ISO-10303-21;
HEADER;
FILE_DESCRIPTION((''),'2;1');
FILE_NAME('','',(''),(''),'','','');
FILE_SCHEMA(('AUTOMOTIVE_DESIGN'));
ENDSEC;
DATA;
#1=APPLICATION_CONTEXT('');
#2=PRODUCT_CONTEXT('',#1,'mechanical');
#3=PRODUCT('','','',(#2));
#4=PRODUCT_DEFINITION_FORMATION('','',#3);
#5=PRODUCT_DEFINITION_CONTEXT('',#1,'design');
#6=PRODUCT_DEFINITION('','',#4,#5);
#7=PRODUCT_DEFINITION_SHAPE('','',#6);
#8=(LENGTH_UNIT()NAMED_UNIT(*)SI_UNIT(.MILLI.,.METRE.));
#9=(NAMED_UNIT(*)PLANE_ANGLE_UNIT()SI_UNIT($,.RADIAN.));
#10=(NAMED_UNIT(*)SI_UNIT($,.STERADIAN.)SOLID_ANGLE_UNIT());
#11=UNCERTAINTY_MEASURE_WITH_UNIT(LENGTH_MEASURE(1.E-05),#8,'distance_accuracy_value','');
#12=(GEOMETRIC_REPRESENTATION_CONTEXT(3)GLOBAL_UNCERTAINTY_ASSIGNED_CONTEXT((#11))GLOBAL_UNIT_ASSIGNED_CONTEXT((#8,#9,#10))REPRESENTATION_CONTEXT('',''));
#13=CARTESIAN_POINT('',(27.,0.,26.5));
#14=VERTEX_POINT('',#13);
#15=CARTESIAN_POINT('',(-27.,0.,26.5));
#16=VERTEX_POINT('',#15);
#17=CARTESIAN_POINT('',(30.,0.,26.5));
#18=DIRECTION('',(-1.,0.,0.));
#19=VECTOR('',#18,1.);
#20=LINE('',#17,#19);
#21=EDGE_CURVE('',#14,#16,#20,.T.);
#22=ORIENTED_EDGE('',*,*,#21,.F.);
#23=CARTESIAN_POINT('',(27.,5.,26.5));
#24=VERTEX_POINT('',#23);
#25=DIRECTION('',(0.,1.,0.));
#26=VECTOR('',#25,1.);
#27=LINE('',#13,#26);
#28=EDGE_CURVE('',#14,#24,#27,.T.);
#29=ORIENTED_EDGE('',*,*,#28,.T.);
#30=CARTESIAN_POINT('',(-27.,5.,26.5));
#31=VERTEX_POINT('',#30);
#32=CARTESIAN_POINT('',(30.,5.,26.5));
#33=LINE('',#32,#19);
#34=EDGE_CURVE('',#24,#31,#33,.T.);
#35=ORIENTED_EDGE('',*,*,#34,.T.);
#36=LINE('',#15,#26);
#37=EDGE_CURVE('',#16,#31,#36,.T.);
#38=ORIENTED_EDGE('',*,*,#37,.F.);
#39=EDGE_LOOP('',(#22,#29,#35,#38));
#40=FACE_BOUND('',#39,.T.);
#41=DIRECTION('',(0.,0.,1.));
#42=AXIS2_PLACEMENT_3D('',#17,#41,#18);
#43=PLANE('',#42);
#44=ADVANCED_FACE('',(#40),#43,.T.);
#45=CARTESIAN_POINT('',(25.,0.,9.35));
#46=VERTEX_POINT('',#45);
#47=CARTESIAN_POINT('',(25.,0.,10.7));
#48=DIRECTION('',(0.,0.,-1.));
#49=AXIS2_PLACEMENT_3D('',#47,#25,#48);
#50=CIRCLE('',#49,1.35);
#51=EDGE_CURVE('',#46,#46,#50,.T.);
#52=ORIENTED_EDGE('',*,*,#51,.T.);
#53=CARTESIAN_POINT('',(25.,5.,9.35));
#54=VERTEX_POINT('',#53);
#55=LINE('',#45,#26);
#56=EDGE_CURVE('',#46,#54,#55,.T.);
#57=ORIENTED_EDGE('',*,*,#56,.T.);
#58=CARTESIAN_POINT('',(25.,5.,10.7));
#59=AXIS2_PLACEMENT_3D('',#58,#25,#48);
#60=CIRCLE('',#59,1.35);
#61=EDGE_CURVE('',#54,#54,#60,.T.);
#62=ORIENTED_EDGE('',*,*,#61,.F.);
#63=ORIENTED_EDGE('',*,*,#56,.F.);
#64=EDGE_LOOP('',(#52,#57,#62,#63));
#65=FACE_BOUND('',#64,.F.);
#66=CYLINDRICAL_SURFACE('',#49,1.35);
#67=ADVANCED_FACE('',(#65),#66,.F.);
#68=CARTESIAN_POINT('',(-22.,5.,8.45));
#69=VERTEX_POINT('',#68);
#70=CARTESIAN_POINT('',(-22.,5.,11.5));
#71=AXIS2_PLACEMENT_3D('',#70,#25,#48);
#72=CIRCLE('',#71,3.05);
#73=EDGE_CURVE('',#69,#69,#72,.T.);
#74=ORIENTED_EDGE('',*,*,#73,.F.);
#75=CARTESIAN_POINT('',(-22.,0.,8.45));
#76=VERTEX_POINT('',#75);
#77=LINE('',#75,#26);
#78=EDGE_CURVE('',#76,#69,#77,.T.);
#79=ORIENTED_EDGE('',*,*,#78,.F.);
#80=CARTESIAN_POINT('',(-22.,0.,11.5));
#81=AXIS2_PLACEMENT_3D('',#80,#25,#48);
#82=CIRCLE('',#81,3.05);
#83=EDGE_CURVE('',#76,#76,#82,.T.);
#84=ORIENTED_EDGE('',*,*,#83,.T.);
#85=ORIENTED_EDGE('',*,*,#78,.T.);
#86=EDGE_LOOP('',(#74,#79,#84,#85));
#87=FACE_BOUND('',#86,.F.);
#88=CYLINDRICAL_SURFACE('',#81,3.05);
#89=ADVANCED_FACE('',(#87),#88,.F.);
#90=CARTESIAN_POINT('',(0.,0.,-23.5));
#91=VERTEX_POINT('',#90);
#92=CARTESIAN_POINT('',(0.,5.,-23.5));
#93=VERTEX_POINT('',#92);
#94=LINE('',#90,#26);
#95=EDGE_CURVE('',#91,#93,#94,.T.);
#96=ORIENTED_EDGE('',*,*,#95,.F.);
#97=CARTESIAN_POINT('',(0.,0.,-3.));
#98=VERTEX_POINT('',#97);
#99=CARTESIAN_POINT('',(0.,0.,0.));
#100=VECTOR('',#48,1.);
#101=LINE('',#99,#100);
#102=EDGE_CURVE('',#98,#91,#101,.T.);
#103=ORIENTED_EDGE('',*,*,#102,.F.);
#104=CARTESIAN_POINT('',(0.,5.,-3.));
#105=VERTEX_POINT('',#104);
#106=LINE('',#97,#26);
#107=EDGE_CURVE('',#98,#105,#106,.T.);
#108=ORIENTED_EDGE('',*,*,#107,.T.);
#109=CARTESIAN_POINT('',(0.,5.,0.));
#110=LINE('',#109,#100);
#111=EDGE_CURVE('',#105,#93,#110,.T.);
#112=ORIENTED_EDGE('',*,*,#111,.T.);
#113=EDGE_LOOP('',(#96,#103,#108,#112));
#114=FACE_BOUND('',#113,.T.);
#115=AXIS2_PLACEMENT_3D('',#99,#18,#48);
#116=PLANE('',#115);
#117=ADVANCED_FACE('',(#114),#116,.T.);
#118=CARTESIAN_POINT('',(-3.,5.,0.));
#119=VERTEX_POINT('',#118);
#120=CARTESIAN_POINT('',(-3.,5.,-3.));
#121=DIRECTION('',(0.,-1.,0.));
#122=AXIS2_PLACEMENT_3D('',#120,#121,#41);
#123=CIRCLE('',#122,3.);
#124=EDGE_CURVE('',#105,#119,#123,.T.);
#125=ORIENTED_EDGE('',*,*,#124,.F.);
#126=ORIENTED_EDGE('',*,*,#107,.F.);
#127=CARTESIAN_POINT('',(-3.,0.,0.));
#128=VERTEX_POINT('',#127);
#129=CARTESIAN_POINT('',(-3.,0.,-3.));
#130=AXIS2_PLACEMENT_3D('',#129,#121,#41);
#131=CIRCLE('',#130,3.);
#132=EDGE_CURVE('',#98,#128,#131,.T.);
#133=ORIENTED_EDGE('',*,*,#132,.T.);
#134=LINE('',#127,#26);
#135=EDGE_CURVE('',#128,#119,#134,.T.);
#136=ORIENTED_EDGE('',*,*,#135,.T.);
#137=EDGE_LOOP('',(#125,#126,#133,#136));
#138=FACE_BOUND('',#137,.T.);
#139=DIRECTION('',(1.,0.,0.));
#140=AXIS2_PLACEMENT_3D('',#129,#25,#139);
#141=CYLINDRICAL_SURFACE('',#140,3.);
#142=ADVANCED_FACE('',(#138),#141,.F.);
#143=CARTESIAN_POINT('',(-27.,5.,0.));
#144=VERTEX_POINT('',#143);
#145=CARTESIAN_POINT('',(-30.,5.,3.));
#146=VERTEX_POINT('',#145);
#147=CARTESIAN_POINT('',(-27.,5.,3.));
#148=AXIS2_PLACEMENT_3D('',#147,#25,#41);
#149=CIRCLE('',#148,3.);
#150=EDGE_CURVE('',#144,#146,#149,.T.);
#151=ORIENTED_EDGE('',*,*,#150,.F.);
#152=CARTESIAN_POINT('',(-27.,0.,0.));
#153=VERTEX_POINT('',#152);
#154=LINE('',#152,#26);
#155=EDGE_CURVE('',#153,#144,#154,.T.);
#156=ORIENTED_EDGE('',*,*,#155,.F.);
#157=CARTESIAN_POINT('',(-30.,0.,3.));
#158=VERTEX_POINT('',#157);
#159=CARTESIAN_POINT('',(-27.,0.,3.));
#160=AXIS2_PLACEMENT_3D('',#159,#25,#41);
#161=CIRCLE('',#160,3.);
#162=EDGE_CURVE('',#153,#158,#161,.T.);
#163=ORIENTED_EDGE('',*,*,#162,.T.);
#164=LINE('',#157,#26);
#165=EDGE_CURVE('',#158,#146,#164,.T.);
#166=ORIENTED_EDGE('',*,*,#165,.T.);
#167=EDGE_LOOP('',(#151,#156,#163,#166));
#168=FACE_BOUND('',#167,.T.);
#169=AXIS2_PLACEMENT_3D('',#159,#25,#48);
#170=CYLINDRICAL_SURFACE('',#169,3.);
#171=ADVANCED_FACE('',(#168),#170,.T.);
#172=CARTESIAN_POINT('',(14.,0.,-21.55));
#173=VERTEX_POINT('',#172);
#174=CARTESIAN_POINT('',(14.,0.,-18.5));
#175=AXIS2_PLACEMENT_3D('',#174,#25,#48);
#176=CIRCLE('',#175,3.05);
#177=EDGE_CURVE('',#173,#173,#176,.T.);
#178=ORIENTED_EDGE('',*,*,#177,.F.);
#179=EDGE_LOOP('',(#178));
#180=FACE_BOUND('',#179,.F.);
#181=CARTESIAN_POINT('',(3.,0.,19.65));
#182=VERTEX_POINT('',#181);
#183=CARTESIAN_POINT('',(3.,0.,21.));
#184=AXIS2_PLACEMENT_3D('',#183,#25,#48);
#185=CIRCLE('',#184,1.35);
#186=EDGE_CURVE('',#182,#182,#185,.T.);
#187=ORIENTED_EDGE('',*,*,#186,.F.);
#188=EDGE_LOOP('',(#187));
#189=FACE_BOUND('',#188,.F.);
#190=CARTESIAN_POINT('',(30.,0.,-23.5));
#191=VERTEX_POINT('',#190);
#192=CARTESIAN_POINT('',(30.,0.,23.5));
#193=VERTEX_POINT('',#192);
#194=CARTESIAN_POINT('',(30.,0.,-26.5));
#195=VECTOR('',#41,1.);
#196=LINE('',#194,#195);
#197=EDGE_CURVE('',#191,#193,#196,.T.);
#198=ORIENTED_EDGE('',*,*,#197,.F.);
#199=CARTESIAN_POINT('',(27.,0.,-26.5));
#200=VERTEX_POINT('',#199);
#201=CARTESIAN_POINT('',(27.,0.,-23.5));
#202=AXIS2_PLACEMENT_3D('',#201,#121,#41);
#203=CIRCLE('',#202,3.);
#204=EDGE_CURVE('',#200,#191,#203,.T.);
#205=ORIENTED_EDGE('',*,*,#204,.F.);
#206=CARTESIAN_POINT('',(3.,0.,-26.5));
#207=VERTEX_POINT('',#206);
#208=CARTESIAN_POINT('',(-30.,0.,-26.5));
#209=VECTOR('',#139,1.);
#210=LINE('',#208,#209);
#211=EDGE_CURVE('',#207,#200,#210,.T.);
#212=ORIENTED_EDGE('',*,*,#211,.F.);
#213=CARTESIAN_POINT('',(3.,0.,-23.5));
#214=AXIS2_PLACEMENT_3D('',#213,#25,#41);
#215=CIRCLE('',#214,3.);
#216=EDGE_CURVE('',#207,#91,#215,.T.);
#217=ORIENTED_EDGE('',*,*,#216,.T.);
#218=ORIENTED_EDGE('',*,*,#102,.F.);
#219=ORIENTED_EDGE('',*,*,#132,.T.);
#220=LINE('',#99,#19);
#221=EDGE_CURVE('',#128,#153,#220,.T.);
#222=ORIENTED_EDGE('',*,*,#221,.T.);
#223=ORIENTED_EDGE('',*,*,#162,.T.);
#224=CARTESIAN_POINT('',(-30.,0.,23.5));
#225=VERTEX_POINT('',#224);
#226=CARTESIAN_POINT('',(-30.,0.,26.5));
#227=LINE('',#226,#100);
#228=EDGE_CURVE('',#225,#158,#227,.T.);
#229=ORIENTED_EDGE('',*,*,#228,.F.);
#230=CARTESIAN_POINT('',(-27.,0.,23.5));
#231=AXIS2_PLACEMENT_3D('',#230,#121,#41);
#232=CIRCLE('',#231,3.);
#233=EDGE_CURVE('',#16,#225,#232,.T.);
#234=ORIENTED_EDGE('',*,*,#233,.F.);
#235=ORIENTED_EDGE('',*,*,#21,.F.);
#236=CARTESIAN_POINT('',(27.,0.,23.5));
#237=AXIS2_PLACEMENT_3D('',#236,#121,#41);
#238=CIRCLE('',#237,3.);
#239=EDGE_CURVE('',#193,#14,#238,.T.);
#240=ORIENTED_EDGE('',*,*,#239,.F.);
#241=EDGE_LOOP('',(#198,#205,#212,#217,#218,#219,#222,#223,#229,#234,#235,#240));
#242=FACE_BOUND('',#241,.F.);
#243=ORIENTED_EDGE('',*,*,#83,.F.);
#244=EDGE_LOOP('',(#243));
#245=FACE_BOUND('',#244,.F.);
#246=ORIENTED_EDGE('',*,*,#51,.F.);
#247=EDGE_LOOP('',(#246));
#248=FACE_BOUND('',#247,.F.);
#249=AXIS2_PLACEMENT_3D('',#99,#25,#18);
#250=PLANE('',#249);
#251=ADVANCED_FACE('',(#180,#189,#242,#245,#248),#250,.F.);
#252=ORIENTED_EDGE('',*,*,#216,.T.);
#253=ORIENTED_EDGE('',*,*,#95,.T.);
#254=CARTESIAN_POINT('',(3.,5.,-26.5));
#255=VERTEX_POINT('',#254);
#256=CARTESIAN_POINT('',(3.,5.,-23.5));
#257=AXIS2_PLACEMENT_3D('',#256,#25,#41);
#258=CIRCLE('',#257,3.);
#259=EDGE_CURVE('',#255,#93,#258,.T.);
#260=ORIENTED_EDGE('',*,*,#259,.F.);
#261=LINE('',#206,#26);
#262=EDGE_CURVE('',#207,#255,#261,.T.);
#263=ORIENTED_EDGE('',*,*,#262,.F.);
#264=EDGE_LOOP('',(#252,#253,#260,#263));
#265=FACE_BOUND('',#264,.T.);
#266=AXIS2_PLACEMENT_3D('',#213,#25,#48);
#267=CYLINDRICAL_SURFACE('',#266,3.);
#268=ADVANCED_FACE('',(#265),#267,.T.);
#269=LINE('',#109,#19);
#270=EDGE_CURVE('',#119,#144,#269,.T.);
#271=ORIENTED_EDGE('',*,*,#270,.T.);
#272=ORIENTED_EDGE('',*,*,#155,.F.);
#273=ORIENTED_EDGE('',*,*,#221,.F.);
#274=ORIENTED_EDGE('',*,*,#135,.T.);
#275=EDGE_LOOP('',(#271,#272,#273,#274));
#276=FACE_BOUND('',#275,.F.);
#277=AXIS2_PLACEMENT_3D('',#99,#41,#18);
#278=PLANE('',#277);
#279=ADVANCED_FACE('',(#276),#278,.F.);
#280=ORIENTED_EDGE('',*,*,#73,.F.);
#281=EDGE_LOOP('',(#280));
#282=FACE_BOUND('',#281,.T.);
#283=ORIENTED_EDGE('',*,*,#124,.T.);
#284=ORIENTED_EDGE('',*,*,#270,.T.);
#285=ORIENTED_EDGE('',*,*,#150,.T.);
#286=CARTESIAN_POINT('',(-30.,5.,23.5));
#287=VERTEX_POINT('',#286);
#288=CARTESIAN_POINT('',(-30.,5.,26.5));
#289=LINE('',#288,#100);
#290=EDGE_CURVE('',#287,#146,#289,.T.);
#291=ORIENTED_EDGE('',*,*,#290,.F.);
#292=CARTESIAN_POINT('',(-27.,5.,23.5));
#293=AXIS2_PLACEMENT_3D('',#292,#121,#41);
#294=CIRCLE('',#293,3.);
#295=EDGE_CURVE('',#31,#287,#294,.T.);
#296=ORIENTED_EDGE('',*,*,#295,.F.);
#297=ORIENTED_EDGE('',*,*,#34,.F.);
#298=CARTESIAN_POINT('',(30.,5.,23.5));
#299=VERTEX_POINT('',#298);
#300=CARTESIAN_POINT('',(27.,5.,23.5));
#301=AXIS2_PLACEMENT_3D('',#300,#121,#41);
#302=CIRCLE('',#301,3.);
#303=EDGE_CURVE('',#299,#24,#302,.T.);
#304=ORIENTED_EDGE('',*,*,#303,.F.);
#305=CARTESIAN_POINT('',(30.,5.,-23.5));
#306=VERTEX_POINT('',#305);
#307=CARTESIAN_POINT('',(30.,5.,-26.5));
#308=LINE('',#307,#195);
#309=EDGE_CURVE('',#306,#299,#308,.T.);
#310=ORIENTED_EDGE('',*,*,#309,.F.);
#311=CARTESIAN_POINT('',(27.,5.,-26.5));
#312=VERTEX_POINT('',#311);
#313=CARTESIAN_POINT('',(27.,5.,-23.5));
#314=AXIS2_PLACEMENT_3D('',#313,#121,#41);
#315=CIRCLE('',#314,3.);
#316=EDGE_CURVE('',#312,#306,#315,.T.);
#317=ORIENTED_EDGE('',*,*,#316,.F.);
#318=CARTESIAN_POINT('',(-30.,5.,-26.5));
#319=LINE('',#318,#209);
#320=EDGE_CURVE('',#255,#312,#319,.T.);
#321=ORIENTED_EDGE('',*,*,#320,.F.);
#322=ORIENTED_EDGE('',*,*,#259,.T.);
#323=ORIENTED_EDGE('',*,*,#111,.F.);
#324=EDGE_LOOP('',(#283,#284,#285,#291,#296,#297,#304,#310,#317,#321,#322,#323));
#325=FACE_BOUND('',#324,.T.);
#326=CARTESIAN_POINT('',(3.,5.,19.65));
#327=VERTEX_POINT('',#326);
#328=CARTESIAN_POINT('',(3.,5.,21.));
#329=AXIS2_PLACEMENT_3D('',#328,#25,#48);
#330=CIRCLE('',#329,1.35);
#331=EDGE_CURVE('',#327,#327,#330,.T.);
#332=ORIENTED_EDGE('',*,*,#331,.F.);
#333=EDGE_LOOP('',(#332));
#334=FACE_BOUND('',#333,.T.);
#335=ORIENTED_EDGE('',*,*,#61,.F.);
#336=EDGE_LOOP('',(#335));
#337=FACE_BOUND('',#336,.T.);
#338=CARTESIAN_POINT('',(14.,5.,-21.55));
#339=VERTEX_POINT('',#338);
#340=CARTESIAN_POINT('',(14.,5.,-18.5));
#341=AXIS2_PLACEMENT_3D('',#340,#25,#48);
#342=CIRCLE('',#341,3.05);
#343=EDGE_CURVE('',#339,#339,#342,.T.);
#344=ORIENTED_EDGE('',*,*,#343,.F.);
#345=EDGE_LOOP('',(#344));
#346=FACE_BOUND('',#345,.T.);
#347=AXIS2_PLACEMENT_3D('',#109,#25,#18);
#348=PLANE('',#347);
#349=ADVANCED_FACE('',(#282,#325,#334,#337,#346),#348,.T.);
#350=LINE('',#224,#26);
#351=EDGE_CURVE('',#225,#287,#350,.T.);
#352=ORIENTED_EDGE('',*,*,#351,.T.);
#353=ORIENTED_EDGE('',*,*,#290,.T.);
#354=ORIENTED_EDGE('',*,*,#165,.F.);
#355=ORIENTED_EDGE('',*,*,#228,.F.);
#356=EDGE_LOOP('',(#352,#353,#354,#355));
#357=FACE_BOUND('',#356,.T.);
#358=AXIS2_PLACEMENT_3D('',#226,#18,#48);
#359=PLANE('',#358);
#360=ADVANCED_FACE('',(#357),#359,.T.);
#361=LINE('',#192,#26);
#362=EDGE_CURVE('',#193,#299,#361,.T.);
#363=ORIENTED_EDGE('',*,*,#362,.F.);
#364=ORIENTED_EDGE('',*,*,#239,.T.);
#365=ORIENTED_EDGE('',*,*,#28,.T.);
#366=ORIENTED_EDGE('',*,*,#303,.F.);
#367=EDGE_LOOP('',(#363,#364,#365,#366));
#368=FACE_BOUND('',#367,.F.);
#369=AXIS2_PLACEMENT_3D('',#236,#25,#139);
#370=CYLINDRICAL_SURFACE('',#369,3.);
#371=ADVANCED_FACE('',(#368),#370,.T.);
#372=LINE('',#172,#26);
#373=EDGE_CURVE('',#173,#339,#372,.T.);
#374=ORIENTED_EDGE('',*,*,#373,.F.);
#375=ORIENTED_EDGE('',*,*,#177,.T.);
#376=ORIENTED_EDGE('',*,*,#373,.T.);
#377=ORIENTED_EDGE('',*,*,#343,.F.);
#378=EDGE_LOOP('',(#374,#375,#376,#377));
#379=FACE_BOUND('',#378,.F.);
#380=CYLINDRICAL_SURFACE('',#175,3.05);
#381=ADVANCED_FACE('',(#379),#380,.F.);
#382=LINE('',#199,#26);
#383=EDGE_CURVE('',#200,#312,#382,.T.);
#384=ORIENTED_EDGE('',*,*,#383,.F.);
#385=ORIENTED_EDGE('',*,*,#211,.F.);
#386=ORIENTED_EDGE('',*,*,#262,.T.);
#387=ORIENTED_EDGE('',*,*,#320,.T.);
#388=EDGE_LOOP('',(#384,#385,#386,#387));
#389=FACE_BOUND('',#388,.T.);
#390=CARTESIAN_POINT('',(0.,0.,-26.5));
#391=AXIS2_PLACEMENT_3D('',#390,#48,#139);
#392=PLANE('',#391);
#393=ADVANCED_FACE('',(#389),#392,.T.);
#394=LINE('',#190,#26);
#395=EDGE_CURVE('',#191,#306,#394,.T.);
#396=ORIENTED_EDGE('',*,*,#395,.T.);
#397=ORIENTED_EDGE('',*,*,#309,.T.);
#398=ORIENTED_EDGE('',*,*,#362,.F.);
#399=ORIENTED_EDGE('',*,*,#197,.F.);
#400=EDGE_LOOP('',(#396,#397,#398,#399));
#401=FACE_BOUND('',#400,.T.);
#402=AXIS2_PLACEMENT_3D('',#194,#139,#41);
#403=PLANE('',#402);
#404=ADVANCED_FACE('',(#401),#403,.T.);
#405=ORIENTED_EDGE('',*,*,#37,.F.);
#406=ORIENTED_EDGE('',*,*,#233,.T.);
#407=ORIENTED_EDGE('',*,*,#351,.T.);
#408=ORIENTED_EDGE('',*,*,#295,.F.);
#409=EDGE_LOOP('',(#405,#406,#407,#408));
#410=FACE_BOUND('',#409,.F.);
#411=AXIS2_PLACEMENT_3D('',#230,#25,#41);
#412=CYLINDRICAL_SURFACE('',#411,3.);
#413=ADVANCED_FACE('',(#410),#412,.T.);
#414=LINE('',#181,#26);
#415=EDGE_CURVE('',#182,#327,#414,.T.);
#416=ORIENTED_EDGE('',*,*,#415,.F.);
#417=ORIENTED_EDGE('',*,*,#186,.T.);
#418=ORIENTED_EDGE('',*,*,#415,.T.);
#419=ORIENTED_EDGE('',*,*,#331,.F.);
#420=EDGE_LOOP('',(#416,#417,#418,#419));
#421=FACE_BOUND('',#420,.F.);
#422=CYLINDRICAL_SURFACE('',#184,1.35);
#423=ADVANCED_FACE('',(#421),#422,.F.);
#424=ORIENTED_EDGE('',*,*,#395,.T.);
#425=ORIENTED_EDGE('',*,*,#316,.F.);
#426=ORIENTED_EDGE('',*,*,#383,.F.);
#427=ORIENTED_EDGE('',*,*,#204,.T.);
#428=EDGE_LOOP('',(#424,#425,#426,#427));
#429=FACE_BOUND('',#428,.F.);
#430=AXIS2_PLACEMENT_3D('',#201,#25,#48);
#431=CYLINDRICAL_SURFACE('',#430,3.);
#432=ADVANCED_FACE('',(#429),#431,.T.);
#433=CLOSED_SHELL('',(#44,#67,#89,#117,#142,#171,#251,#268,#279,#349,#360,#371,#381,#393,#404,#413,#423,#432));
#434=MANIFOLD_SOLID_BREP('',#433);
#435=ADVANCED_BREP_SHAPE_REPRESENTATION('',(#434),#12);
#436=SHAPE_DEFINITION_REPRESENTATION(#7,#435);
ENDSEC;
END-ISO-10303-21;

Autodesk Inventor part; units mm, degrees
ref_plane "YZ Plane" through (0, 0, 0) normal (1, 0, 0) x (0, 1, 0)
ref_plane "XZ Plane" through (0, 0, 0) normal (0, 1, 0) x (-1, 0, 0)
ref_plane "XY Plane" through (0, 0, 0) normal (0, 0, 1) x (1, 0, 0)
sketch "Sketch1" plane through (0, 0, 0) normal (0, 1, 0) x (-1, 0, 0)
  line L0 (30, -26.5) -> (-30, -26.5)
  line L1 (-30, -26.5) -> (-30, 26.5)
  line L2 (-30, 26.5) -> (30, 26.5)
  line L3 (30, 26.5) -> (30, -26.5)
  line L4 (30, -26.5) -> (-30, 26.5) construction
  line L5 (-30, -26.5) -> (30, 26.5) construction
  line L6 (-3, 21) -> (-25, 21) construction
  line L7 (-25, 21) -> (-25, 10.7) construction
  line L8 (-25, 10.7) -> (-3, 10.7) construction
  line L9 (-3, 10.7) -> (-3, 21) construction
  line L10 (0, 0) -> (30, 0)
  line L11 (0, 0) -> (0, -26.5)
  point P0 (-14, -18.5)
  point P1 (-14, 10.7)
  point P2 (22, 11.5)
  dimension "d0" = 60
  dimension "d1" = 53
  dimension "d2" = 5
  dimension "d3" = 5.5
  dimension "d4" = 22
  dimension "d5" = 10.3
  dimension "d6" = 45
  dimension "d7" = 8
  dimension "d8" = 15
extrude "Extrusion1" add sketch "Sketch1" along normal blind 5 contours L0 L1 L2 L3 L10 L11
hole "Hole1" at (3, 0, 21) at (25, 0, 10.7) direction (0, 1, 0) diameter 2.7 end through all
hole "Hole2" at (14, 0, -18.5) at (-22, 0, 11.5) direction (0, 1, 0) diameter 6.1 end through all
fillet "Fillet1" radius 3 6 edges at (-30, 2.5, 26.5) (30, 2.5, 26.5) (30, 2.5, -26.5) (0, 2.5, -26.5) (0, 2.5, 0) (-30, 2.5, 0)
properties part number "Limit SW Bracket Left" material "ABS Plastic"
